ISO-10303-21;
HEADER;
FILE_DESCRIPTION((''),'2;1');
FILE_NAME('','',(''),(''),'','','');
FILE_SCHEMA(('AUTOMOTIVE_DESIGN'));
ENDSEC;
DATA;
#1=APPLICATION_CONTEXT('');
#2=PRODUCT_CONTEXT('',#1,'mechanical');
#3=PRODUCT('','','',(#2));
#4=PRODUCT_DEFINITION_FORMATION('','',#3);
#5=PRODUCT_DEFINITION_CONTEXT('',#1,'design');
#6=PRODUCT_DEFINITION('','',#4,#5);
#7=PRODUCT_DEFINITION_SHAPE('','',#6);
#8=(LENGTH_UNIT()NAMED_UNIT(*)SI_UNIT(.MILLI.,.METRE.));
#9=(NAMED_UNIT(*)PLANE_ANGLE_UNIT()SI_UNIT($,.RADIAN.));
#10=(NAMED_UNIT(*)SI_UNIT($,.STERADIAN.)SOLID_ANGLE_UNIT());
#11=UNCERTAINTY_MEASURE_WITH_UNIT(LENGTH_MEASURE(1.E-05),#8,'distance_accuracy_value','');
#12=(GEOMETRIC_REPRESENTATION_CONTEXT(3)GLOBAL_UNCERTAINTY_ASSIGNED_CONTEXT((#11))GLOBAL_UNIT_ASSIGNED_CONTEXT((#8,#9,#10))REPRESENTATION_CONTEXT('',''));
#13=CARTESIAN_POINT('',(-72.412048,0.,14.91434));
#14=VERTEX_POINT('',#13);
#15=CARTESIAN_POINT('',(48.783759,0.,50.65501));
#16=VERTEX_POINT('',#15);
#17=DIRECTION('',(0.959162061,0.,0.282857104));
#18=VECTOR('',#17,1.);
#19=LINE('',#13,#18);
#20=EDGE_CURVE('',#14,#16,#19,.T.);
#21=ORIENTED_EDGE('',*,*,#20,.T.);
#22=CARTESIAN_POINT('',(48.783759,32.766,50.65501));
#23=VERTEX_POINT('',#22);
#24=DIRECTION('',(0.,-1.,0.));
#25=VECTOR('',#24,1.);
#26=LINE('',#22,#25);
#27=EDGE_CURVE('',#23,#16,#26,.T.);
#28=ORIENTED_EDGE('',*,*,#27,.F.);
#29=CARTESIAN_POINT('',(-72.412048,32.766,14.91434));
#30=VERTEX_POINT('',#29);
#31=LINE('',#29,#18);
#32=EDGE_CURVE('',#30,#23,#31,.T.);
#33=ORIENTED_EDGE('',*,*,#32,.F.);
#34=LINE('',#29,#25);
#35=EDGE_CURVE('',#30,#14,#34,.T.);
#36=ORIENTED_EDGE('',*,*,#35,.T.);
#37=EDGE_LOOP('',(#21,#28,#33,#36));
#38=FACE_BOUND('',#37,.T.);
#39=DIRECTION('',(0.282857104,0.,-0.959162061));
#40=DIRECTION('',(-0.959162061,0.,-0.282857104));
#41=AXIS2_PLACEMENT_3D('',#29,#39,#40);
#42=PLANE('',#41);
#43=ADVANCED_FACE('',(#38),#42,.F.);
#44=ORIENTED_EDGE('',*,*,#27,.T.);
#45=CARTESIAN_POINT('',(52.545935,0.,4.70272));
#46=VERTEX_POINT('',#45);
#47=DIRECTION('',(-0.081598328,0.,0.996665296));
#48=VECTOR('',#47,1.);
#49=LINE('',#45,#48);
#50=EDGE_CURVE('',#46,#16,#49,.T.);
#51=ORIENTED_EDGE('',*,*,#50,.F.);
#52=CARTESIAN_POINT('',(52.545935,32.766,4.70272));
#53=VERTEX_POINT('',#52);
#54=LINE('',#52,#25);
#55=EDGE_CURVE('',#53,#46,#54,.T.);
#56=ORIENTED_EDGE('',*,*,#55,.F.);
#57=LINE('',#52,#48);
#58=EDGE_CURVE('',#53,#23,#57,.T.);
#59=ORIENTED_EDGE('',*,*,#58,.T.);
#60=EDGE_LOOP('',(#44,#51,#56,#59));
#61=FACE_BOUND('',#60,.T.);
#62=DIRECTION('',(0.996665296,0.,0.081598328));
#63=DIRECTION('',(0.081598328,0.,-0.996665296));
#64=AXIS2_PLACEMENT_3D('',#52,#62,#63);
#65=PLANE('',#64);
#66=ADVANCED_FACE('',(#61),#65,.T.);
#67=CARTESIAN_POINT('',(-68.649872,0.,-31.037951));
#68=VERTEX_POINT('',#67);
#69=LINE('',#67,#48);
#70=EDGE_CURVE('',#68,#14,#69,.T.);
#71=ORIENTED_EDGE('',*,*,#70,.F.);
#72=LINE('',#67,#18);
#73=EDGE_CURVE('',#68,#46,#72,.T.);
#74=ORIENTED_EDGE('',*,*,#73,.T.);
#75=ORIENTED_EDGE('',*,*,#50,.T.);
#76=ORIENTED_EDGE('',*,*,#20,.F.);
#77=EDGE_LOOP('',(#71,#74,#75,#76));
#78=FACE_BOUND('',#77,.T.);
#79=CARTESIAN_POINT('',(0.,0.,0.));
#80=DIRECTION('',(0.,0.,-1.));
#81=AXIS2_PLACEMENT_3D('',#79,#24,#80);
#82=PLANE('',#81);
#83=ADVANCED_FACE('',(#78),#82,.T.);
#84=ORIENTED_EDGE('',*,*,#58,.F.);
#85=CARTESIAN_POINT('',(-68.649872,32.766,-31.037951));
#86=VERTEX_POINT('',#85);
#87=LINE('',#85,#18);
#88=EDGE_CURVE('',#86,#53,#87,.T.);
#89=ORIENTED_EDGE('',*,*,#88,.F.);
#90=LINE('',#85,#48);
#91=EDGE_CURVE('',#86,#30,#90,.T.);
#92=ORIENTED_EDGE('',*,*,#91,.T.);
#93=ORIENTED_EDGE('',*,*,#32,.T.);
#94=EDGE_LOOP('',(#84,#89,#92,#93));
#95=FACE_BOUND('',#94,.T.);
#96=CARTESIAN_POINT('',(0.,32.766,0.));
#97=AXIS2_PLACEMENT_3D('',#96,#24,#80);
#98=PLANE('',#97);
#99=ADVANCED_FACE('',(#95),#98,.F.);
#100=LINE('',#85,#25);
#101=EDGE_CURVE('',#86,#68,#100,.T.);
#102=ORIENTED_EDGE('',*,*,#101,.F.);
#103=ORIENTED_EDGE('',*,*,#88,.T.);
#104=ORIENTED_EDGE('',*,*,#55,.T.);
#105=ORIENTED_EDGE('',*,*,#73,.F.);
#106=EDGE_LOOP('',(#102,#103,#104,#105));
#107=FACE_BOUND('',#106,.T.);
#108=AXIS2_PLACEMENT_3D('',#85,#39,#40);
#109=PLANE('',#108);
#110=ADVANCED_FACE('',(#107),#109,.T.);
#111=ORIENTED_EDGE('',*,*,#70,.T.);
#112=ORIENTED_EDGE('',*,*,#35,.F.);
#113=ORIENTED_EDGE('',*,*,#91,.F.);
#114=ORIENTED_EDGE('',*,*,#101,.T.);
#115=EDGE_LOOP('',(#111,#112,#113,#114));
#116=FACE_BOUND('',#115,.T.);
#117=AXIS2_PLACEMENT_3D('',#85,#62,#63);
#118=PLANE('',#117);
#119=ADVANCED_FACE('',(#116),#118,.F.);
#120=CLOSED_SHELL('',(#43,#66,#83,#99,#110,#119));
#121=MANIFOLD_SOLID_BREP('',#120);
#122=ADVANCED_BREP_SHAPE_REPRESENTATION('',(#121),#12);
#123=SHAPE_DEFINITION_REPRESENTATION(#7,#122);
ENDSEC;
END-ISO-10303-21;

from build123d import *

# Parameters (mm, degrees)
BOSS_EXTRUDE2_DEPTH = 32.766


with BuildPart() as part:
    # Sketch2 → Boss-Extrude2 (new body)
    with BuildSketch(Plane(origin=(0, 0, 0), x_dir=(1, 0, 0), z_dir=(0, 1, 0))):
        Polygon((-68.649872331, 31.037950708), (-72.412048175, -14.91433995), (48.78375935, -50.655010462), (52.545935194, -4.702719804), align=None)
    extrude(amount=BOSS_EXTRUDE2_DEPTH)


solid = part.part
